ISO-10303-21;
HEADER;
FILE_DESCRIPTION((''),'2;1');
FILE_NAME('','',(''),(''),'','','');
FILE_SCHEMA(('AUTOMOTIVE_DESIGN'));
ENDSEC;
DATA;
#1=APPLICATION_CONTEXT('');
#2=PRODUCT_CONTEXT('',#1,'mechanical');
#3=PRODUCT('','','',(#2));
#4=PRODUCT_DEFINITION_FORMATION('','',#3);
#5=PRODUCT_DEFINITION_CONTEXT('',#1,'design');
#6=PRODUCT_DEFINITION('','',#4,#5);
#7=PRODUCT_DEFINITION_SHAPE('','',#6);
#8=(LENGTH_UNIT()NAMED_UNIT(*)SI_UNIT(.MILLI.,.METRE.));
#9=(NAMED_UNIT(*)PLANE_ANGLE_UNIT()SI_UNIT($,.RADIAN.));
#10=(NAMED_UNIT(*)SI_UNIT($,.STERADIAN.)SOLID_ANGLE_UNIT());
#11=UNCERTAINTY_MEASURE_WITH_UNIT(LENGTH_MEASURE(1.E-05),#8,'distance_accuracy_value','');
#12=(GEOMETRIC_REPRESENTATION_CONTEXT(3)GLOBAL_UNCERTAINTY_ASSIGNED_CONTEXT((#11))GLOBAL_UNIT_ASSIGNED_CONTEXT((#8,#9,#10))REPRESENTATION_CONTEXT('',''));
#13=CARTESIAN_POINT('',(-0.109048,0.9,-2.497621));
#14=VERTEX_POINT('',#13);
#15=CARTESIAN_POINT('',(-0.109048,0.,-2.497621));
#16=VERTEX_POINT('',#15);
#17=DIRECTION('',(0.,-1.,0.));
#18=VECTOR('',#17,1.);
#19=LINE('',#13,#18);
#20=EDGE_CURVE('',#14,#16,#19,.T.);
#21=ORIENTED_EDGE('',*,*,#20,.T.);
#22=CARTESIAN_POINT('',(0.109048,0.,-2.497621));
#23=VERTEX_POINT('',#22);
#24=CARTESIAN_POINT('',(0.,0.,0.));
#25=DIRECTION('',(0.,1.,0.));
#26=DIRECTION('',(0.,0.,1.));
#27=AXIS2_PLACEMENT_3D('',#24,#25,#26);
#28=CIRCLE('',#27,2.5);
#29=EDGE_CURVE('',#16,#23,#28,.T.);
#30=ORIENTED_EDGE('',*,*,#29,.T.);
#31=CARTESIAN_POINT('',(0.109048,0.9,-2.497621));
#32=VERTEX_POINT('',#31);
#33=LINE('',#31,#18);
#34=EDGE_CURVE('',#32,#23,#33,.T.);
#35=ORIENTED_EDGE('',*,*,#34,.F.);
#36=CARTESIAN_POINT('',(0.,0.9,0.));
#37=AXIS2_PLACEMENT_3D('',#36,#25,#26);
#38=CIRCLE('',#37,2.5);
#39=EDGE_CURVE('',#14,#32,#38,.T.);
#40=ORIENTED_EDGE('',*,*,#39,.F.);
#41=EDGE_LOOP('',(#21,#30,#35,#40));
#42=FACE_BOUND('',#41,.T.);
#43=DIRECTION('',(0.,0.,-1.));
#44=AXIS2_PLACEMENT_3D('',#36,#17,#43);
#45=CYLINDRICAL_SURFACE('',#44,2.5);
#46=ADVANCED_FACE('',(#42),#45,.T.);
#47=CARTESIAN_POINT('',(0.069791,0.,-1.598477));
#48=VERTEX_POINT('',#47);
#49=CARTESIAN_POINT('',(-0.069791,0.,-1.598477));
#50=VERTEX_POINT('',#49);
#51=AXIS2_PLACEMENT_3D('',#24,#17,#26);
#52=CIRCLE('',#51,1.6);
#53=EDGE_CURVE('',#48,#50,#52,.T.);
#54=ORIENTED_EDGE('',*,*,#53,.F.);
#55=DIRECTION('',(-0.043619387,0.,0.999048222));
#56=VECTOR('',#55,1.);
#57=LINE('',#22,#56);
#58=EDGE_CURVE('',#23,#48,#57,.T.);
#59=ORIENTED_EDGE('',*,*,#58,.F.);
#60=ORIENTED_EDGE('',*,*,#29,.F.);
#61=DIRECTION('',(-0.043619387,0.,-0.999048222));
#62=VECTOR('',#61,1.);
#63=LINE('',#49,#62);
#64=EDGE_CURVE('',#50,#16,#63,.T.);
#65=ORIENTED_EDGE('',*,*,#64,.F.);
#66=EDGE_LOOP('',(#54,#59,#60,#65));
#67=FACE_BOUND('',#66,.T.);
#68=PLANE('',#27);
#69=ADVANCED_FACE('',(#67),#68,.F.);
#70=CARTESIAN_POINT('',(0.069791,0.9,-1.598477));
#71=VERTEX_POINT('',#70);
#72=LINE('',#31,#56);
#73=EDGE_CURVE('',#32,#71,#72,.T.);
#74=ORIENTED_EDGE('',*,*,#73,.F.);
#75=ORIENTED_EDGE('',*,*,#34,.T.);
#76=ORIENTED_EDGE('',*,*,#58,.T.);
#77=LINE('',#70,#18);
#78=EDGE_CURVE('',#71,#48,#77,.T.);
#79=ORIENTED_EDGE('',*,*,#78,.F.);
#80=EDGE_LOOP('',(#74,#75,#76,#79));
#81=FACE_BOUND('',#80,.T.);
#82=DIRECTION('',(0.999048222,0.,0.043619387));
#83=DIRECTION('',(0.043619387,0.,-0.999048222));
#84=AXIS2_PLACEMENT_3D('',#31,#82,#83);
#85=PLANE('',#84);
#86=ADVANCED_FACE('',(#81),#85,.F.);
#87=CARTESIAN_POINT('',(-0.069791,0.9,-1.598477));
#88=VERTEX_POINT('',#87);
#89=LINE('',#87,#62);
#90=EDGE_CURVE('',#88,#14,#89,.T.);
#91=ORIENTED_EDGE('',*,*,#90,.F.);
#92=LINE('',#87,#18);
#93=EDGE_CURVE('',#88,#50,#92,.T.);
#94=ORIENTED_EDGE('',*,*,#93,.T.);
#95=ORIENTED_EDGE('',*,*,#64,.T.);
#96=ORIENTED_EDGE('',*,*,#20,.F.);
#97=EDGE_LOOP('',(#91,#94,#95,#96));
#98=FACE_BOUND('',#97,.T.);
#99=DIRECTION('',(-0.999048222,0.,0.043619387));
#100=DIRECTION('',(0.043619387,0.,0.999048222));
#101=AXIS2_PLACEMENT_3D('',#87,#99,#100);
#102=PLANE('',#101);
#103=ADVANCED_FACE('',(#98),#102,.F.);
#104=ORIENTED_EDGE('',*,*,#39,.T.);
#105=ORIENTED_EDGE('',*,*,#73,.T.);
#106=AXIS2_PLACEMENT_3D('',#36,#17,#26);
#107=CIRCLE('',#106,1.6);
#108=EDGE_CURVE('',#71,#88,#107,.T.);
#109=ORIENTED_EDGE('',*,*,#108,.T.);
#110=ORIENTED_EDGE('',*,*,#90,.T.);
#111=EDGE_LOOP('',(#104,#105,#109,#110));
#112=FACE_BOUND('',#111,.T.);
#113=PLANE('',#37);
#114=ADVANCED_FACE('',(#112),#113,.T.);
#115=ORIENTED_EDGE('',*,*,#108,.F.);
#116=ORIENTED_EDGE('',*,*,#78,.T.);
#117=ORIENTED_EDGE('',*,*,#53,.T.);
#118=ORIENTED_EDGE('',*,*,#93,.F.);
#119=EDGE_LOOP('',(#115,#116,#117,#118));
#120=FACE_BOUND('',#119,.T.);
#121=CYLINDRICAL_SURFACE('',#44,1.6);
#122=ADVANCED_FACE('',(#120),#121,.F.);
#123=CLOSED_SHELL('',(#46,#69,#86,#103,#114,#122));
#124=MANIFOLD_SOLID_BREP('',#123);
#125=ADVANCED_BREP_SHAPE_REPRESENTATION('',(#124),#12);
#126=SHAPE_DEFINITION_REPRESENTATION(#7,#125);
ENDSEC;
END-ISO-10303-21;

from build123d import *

# Parameters (mm, degrees)
BOSS_EXTRUDE1_DEPTH = 0.9


with BuildPart() as part:
    # Sketch1 → Boss-Extrude1 (new body)
    with BuildSketch(Plane(origin=(0, 0, 0), x_dir=(1, 0, 0), z_dir=(0, 1, 0))):
        with BuildLine():
            Line((-0.06979102, 1.598477155), (-0.109048468, 2.497620554))
            ThreePointArc((-0.109048468, 2.497620554), (0, -2.5), (0.109048468, 2.497620554))
            Line((0.109048468, 2.497620554), (0.06979102, 1.598477155))
            ThreePointArc((0.06979102, 1.598477155), (0, -1.6), (-0.06979102, 1.598477155))
        make_face()
    extrude(amount=BOSS_EXTRUDE1_DEPTH)


solid = part.part
